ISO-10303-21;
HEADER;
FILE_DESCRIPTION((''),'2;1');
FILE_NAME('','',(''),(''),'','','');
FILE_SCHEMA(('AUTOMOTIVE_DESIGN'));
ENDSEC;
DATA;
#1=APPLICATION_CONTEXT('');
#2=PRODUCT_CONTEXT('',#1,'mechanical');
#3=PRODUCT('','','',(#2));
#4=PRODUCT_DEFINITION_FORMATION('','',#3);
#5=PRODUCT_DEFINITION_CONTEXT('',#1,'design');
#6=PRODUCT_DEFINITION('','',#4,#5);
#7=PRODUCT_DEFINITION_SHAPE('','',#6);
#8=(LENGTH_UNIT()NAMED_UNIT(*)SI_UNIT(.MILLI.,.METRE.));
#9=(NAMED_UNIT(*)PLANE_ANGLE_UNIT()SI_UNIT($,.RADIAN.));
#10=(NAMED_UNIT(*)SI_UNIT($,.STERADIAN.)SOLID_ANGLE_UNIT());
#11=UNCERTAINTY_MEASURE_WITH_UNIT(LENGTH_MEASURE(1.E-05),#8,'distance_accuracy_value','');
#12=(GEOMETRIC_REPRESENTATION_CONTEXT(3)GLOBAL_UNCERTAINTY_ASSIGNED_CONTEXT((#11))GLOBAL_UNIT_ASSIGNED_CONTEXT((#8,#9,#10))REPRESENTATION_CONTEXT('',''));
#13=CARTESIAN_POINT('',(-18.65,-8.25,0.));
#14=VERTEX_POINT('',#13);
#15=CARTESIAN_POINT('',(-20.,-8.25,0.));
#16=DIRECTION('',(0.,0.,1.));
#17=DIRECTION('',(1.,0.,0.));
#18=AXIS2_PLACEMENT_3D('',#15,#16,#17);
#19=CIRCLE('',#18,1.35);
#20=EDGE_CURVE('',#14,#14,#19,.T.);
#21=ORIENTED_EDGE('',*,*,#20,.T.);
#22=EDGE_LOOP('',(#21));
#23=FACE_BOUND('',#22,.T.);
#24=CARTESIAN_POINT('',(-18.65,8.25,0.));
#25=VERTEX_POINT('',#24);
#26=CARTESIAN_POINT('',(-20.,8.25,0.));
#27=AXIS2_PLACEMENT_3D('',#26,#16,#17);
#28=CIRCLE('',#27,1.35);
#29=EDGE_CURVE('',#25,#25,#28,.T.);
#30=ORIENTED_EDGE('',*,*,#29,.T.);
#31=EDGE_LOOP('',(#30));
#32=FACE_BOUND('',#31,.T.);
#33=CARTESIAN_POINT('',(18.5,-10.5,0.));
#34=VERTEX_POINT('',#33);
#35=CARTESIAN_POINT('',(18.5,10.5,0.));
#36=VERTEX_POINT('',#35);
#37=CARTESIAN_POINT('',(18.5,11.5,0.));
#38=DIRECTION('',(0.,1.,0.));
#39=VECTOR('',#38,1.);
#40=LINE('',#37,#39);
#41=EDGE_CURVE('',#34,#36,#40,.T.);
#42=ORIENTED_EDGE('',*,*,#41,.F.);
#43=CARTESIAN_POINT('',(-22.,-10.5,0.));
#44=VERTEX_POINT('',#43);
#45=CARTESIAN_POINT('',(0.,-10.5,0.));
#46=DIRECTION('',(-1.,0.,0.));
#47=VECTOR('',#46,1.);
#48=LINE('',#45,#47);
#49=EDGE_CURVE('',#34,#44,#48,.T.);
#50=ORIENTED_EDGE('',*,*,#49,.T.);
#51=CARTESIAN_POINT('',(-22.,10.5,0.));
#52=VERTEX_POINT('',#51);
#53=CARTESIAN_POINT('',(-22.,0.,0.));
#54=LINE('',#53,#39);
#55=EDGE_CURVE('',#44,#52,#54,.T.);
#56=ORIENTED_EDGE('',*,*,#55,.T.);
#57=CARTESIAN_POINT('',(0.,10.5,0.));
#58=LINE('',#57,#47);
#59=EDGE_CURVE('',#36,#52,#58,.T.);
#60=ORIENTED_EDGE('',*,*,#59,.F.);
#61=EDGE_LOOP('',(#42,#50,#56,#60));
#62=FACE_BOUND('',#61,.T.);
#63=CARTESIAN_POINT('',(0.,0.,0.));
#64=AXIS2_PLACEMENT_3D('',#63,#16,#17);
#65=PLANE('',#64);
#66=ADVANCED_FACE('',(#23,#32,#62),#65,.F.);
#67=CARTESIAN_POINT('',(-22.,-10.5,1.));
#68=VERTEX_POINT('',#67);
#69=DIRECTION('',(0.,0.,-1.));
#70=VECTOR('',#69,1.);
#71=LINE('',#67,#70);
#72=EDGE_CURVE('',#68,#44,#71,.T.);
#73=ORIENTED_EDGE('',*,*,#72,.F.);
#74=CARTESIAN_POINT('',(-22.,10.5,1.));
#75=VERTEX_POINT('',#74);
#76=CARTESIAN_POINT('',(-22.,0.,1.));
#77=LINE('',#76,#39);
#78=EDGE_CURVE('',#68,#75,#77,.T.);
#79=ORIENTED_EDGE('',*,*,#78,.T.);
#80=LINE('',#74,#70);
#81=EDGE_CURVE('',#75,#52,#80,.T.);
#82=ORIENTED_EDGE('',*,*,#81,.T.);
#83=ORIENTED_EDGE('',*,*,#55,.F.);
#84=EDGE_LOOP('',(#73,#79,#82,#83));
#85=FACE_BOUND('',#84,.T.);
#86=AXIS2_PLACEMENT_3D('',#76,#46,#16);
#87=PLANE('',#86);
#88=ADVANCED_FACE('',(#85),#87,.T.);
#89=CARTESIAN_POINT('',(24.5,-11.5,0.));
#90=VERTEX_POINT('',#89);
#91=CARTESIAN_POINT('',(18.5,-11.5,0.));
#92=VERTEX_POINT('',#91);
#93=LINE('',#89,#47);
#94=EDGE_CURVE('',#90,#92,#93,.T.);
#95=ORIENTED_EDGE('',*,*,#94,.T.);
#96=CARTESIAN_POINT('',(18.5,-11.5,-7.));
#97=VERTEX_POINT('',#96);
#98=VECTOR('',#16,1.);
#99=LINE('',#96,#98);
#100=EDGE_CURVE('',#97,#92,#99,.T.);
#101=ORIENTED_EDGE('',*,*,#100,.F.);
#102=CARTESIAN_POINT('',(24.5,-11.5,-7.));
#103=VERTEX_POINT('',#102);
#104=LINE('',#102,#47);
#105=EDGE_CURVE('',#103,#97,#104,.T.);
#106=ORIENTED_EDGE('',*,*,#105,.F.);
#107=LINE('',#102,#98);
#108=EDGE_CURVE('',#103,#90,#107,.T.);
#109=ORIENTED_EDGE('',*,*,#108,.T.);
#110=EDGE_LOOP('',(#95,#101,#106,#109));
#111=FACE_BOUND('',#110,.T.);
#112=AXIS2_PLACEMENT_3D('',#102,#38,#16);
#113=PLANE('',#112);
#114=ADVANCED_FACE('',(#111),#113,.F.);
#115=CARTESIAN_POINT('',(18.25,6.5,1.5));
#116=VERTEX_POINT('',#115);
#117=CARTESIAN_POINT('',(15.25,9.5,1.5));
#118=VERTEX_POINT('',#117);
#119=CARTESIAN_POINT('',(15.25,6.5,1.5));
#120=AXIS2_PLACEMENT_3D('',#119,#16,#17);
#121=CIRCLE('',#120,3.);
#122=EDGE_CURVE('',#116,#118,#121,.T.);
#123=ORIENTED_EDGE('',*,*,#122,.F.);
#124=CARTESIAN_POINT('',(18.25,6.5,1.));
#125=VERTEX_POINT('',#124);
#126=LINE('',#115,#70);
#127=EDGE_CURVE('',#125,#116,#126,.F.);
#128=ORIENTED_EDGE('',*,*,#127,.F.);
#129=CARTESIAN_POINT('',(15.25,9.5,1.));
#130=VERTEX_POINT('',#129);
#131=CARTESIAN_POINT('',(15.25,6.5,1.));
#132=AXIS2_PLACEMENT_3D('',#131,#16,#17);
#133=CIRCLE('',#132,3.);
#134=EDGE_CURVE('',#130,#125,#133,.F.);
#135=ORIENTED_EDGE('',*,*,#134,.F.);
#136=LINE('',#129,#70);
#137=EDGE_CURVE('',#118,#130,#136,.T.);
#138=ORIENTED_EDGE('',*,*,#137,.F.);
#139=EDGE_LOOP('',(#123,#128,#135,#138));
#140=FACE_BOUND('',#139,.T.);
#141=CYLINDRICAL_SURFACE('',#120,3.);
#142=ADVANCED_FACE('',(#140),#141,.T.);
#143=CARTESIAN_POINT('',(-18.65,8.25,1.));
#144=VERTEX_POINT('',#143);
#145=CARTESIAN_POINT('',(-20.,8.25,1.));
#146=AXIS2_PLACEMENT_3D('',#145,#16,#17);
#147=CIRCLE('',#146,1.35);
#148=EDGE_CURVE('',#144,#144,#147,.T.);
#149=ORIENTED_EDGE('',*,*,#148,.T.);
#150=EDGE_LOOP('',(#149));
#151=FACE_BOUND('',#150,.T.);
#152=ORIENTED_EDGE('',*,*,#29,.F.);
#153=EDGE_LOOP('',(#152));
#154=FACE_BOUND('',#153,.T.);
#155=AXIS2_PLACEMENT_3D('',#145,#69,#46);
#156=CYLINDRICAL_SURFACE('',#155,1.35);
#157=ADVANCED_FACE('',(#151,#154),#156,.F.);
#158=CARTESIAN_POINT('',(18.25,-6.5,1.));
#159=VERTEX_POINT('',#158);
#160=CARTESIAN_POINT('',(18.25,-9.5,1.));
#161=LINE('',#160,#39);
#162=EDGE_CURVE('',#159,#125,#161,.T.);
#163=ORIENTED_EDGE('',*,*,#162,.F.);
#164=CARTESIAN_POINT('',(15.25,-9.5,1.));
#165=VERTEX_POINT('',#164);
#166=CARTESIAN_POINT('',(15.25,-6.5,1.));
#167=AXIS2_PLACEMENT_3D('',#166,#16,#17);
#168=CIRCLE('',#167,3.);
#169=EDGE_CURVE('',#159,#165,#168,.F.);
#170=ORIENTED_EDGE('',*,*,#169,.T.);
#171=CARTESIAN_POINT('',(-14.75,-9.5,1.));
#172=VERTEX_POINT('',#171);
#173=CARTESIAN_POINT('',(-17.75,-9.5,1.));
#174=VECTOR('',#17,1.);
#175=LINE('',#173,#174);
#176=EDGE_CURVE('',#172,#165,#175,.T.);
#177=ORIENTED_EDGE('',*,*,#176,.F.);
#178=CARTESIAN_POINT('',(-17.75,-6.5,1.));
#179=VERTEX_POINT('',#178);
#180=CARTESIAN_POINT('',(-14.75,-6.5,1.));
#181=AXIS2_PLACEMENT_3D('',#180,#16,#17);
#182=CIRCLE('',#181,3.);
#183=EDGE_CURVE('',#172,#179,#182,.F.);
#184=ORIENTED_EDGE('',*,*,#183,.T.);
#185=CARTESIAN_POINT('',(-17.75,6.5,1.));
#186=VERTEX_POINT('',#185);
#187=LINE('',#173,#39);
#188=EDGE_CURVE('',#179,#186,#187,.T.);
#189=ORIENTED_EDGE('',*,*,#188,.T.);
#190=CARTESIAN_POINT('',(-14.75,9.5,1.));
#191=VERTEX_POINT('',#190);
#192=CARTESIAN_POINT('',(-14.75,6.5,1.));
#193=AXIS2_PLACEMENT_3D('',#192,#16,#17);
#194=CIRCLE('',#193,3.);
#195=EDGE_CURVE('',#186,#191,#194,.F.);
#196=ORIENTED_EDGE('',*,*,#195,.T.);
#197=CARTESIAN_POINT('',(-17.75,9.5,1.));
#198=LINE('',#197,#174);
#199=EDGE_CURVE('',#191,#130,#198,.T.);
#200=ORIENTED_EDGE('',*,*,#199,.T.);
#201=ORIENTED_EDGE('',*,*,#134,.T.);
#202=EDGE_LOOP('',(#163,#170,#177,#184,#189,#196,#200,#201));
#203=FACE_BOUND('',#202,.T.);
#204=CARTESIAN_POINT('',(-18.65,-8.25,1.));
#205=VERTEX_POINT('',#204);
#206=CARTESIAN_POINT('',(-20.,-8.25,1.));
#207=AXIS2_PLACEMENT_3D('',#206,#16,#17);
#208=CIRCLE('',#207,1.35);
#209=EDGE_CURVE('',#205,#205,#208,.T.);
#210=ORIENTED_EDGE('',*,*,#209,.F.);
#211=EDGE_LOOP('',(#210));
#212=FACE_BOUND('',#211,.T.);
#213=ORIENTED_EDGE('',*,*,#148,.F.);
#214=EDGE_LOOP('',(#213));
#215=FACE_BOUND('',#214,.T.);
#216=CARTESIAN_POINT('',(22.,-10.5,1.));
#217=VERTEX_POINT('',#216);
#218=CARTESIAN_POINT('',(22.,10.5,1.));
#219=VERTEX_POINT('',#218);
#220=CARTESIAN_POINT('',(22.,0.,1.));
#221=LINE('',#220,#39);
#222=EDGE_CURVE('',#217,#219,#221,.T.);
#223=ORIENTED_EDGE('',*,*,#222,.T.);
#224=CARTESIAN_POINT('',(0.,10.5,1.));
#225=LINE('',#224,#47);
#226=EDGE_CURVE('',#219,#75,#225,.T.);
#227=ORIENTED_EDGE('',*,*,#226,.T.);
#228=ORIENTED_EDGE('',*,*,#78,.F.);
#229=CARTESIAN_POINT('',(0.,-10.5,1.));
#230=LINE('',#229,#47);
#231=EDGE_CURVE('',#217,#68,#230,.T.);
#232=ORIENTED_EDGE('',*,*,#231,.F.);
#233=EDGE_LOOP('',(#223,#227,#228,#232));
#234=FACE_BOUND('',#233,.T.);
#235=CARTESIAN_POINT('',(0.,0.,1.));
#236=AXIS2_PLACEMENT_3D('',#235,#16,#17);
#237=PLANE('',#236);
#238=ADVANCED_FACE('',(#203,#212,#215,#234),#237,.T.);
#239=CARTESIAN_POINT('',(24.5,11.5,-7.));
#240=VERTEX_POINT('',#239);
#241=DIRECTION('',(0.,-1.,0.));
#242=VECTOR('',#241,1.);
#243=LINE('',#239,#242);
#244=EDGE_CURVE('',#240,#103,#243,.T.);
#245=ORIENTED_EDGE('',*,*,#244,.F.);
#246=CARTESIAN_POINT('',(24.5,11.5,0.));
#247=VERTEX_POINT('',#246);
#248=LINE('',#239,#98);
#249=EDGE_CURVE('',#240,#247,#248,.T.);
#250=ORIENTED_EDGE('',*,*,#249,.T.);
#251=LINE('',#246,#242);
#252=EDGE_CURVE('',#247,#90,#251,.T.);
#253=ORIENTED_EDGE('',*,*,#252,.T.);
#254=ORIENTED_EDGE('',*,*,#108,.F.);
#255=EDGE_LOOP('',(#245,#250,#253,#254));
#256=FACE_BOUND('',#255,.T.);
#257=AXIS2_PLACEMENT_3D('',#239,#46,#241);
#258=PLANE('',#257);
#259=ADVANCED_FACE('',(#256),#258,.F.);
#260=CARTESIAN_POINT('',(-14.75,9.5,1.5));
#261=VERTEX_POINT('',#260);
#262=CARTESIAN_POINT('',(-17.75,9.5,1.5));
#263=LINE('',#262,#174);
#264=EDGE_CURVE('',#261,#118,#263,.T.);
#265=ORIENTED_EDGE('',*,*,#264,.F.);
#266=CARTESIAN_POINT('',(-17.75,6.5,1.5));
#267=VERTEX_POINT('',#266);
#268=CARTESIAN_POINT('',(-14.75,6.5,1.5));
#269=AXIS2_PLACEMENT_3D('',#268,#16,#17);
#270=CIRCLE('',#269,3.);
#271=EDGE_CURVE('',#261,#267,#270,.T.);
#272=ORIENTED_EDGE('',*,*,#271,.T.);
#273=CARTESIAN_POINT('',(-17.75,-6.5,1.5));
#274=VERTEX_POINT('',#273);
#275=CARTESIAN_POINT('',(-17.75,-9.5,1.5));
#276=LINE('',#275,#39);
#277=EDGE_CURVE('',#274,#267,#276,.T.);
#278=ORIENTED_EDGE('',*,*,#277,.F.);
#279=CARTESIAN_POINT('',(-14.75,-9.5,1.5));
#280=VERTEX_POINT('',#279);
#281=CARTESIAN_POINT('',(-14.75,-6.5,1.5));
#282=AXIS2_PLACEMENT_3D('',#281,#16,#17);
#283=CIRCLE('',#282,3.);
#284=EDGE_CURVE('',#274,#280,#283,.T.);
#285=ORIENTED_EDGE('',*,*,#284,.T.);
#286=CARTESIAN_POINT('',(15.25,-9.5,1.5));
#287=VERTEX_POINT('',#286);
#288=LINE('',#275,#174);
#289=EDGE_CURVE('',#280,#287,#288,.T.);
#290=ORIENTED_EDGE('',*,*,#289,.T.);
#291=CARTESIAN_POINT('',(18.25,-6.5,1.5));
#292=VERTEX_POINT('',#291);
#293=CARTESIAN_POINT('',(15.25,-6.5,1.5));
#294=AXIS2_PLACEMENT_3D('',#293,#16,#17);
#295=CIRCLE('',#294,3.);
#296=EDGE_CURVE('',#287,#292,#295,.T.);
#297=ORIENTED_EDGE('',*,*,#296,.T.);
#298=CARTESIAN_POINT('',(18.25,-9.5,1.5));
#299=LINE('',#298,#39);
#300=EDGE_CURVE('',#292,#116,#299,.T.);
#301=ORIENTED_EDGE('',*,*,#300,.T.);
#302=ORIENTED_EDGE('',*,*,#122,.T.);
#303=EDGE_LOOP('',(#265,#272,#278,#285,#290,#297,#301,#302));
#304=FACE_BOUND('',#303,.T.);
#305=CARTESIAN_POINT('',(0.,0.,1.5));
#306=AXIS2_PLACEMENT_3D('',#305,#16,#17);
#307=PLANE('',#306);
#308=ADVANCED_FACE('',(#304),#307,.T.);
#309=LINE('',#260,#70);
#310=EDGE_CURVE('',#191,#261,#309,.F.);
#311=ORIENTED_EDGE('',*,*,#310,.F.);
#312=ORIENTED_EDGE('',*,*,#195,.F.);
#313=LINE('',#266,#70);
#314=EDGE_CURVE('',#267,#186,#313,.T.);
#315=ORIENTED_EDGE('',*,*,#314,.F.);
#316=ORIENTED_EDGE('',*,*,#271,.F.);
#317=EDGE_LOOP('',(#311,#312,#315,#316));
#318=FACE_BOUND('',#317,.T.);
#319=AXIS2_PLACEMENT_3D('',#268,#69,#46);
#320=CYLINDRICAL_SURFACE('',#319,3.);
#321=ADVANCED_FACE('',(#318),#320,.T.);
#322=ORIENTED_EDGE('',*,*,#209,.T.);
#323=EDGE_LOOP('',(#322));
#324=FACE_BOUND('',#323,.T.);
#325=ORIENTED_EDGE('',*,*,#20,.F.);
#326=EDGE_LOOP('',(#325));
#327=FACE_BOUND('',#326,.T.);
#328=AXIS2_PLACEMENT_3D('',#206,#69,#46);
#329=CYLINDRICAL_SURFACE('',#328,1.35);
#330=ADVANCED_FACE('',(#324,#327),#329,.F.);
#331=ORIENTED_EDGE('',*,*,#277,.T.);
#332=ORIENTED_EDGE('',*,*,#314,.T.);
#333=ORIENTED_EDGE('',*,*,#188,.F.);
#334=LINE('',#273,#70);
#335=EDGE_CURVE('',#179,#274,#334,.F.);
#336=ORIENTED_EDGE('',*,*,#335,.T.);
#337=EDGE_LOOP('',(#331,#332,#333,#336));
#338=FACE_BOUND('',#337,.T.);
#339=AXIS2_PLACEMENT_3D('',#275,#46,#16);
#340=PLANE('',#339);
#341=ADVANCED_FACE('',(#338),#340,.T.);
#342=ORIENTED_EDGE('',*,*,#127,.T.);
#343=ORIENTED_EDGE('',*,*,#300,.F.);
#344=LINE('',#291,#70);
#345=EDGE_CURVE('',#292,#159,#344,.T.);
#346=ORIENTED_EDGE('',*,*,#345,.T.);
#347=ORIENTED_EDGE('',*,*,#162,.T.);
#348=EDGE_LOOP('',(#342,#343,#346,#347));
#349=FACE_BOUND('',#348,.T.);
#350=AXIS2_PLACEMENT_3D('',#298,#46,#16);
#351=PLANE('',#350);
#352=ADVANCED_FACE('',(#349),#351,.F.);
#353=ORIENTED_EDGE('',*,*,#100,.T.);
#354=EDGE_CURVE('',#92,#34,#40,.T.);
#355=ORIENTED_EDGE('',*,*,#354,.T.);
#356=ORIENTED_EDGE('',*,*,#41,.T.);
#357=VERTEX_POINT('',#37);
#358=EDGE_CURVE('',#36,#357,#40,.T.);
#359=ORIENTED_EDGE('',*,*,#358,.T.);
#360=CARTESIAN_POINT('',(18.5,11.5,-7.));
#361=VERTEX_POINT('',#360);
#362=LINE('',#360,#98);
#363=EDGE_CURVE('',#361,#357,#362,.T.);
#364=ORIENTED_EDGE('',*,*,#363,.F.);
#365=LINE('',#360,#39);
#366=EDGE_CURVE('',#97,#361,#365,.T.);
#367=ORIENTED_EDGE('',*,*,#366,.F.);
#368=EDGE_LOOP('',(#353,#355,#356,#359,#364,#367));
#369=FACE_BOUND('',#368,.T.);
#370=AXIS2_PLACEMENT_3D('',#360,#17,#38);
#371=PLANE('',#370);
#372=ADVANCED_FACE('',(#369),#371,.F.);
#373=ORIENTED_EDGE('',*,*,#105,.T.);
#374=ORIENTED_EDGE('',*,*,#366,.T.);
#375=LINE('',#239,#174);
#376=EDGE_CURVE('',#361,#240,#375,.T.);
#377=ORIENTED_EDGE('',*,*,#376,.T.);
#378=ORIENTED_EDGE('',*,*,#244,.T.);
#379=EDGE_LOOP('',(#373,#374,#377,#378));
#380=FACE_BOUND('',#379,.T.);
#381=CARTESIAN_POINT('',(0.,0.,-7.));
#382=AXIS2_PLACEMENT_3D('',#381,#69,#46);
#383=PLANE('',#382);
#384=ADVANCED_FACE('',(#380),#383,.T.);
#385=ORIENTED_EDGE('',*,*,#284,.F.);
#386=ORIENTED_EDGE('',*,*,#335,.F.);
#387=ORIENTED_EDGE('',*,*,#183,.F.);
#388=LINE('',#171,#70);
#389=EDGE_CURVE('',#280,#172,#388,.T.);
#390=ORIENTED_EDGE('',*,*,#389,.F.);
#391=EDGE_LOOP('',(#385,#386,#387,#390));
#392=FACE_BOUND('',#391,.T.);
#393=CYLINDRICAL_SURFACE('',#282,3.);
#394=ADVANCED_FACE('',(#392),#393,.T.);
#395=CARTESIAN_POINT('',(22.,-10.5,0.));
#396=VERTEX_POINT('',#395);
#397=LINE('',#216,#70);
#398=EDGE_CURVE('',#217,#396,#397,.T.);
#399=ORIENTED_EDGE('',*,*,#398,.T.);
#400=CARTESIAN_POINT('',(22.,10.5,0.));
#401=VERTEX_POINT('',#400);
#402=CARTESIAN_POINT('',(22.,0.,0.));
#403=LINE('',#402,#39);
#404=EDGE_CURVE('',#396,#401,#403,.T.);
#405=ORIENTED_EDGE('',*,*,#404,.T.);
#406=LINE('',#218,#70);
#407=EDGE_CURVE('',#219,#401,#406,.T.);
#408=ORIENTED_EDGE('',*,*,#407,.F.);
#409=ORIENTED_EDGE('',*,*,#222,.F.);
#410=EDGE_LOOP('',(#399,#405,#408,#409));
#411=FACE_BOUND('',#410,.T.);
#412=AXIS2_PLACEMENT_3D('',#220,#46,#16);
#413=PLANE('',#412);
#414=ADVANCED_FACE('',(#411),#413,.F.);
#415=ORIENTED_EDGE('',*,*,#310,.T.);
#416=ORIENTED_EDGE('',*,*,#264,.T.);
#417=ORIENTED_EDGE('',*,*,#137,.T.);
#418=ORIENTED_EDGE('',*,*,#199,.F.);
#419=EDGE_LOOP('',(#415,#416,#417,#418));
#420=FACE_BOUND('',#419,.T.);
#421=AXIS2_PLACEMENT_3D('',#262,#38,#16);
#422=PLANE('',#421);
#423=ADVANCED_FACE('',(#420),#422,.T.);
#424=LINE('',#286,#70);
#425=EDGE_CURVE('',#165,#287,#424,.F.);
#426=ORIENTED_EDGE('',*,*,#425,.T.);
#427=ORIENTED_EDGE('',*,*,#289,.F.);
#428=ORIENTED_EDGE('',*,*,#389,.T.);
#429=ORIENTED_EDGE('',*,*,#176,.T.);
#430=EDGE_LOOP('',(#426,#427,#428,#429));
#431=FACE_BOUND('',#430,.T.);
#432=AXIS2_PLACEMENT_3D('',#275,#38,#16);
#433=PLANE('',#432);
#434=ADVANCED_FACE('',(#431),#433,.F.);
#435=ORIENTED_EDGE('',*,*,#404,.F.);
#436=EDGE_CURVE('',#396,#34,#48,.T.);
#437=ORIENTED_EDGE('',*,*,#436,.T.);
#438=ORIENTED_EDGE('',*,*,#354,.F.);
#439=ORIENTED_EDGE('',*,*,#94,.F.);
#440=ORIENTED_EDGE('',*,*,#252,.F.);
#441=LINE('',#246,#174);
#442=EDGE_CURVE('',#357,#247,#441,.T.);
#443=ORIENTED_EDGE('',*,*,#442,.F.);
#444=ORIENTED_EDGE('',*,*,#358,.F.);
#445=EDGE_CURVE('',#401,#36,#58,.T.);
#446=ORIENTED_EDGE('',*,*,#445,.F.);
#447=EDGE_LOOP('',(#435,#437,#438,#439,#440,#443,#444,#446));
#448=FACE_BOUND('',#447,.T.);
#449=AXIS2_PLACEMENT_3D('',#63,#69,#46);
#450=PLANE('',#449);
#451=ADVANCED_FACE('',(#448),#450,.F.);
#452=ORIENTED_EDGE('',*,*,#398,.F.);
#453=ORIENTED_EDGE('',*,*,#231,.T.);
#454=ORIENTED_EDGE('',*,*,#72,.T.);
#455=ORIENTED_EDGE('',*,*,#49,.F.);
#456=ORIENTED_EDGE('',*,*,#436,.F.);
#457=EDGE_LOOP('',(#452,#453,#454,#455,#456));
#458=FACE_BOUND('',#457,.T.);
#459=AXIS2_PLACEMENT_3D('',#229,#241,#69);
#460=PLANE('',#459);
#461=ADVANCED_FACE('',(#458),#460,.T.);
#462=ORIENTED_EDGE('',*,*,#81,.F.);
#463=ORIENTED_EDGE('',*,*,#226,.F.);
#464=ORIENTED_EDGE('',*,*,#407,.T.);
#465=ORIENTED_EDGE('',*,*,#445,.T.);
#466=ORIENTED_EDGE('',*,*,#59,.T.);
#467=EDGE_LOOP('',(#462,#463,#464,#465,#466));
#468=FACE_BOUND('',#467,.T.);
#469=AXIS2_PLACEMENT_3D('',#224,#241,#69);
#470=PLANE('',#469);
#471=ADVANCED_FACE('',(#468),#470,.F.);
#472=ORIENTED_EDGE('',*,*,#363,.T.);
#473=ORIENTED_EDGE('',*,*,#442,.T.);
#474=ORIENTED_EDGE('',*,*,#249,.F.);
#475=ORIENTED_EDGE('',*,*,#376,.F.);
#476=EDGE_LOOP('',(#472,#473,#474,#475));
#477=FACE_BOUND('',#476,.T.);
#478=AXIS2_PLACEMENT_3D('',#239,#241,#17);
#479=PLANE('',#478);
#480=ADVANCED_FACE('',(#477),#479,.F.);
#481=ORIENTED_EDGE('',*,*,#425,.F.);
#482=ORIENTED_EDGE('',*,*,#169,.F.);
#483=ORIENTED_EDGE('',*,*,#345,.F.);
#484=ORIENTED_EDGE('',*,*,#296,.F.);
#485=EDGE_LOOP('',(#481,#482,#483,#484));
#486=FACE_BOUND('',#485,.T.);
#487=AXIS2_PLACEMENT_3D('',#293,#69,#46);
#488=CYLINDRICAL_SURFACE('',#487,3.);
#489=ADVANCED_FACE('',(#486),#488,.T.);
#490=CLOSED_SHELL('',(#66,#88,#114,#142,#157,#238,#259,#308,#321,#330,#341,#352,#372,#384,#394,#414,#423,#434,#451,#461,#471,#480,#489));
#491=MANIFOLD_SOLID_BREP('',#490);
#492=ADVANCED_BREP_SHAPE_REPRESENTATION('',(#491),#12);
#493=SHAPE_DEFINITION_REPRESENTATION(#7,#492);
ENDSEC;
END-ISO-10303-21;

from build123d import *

# Parameters (mm, degrees)
SKETCH1_W           = 44
SKETCH1_H           = 21
SKETCH1_R           = 1.35
BOSS_EXTRUDE1_DEPTH = 1
SKETCH2_W           = 36
SKETCH2_H           = 19
BOSS_EXTRUDE2_DEPTH = 0.5
FILLET1_R           = 3
SKETCH3_W           = 6
SKETCH3_H           = 23
BOSS_EXTRUDE3_DEPTH = 7


with BuildPart() as part:
    # Sketch1 → Boss-Extrude1 (new body)
    with BuildSketch(Plane.XY):
        Rectangle(SKETCH1_W, SKETCH1_H)
        with Locations((-20, 8.25)):
            Circle(SKETCH1_R, mode=Mode.SUBTRACT)
        with Locations((-20, -8.25)):
            Circle(SKETCH1_R, mode=Mode.SUBTRACT)
    extrude(amount=BOSS_EXTRUDE1_DEPTH)

    # Sketch2 → Boss-Extrude2 (add)
    with BuildSketch(Plane.XY.offset(1)):
        with Locations((0.25, 0)):
            Rectangle(SKETCH2_W, SKETCH2_H)
    extrude(amount=BOSS_EXTRUDE2_DEPTH)

    # Fillet1
    fillet1_edges = [part.edges().sort_by_distance(p)[0] for p in [
        (18.25, 9.5, 1.25),
        (-17.75, 9.5, 1.25),
        (-17.75, -9.5, 1.25),
        (18.25, -9.5, 1.25),
    ]]
    fillet(fillet1_edges, radius=FILLET1_R)

    # Sketch3 → Boss-Extrude3 (add)
    with BuildSketch(Plane(origin=(0, 0, 0), x_dir=(-1, 0, 0), z_dir=(0, 0, -1))):
        with Locations((-21.5, 0)):
            Rectangle(SKETCH3_W, SKETCH3_H)
    extrude(amount=BOSS_EXTRUDE3_DEPTH)


solid = part.part
